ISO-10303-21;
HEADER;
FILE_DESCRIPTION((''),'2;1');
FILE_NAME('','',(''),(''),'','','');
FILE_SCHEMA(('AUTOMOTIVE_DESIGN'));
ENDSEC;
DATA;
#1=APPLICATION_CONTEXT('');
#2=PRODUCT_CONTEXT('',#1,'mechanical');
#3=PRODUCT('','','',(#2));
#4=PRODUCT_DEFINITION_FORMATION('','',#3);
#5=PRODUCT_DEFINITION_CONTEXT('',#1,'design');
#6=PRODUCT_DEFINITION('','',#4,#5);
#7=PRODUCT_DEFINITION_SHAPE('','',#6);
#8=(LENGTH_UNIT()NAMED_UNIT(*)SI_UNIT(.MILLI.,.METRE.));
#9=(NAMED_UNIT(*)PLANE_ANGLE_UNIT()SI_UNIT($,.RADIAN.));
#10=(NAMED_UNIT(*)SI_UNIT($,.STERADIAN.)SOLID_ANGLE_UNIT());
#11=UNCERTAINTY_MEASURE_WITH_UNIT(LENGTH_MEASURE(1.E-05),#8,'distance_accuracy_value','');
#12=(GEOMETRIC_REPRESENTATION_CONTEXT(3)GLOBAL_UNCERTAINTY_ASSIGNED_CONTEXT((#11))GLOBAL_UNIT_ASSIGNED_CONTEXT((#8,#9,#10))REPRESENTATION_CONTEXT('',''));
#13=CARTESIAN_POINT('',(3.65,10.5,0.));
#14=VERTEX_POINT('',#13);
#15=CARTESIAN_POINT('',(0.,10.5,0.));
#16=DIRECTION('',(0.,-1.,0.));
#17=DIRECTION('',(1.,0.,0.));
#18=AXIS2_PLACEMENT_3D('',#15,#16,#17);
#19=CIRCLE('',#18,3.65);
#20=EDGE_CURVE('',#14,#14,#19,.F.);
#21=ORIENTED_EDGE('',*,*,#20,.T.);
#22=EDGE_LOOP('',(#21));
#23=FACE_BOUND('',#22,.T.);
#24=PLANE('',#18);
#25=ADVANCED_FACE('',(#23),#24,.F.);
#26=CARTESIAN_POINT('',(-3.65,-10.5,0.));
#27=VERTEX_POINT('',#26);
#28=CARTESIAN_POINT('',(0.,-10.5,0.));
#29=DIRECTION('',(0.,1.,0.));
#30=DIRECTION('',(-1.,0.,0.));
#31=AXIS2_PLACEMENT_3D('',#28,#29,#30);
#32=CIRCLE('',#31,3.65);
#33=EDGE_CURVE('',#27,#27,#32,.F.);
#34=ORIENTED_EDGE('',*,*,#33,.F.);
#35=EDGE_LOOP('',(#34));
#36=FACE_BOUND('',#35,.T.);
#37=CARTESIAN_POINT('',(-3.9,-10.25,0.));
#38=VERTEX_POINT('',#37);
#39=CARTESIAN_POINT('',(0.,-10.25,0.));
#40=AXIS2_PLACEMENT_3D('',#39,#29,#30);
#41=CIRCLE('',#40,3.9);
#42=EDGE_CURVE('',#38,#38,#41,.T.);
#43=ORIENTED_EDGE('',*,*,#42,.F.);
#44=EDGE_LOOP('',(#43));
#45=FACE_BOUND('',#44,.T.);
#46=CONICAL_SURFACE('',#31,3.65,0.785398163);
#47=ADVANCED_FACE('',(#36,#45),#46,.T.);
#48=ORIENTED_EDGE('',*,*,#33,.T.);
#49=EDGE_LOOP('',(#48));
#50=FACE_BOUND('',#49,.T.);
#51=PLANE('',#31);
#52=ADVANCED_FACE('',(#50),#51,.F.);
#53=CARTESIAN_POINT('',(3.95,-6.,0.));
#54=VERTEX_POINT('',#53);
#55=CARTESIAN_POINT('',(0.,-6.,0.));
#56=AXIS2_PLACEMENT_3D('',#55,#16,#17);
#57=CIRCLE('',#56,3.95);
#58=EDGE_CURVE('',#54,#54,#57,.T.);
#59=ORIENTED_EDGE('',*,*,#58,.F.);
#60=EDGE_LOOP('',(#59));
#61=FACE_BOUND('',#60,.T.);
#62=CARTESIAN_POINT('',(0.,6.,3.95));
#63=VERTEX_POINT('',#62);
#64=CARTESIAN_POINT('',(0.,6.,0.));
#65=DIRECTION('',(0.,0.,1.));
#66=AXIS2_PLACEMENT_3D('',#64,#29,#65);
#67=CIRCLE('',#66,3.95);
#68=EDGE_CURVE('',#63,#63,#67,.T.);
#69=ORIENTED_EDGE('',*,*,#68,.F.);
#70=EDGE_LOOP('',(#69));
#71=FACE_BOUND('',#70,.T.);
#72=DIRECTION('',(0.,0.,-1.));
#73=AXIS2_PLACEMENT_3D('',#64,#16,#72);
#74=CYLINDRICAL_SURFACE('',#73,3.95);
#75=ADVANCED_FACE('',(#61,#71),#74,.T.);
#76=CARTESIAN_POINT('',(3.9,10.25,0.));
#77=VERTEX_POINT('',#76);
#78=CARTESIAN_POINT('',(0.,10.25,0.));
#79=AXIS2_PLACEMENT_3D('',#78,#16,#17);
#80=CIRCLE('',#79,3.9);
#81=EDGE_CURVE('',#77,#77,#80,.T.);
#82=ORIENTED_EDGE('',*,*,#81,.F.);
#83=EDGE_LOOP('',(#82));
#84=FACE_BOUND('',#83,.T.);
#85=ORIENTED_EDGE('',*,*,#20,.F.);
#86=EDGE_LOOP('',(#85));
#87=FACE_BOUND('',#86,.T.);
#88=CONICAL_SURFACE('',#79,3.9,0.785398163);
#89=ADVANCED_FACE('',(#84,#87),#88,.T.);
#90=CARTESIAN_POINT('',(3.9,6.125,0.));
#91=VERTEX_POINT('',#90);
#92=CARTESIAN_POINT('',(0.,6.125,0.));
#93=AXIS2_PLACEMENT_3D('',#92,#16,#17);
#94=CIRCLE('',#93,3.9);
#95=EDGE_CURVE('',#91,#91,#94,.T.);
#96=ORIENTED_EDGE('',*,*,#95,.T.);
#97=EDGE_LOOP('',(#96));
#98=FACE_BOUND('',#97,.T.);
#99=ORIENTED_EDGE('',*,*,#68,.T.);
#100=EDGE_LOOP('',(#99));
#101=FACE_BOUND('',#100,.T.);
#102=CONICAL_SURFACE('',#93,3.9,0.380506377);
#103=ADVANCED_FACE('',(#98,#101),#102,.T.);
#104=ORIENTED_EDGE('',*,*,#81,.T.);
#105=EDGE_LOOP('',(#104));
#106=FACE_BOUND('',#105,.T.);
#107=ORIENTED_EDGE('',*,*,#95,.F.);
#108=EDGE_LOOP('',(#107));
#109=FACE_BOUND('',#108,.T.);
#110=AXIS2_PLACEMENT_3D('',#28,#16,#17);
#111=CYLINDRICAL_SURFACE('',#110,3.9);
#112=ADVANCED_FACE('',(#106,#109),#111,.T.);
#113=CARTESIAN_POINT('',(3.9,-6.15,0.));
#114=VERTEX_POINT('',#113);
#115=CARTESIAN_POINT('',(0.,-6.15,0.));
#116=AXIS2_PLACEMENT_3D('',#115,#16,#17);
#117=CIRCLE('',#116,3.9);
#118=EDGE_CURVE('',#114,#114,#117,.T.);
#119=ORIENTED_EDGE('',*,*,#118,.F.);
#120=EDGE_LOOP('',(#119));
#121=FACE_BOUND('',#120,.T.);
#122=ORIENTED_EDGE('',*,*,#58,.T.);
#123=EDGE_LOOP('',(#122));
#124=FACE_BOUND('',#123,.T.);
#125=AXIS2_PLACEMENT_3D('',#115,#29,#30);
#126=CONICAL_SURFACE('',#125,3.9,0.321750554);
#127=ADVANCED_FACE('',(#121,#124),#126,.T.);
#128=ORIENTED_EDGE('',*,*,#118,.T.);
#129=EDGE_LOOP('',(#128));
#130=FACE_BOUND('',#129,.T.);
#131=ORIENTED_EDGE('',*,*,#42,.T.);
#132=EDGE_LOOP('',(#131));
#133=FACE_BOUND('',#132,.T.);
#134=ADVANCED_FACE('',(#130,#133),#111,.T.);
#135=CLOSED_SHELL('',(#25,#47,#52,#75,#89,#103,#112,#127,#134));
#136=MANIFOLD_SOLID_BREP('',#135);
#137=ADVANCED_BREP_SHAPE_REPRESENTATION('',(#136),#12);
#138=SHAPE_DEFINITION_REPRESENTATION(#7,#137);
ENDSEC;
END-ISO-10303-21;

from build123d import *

# Parameters (mm, degrees)
SKETCH1_R           = 3.95
BOSS_EXTRUDE1_DEPTH = 6
CHAMFER1_SIZE       = 0.25


with BuildPart() as part:
    # Sketch1 → Boss-Extrude1 (new, symmetric)
    with BuildSketch(Plane(origin=(0, 0, 0), x_dir=(1, 0, 0), z_dir=(0, 1, 0))):
        with Locations(Location((0, 0, 0), (0, 0, 270))):
            Circle(SKETCH1_R)
    extrude(amount=BOSS_EXTRUDE1_DEPTH, both=True)

    # Sketch2 → Revolve2 (revolve)
    with BuildSketch(Plane.XY, mode=Mode.PRIVATE) as revolve2_sk:
        Polygon((0, -10.5), (0, -6), (-3.95, -6), (-3.9, -6.15), (-3.9, -10.5), align=None)
        Polygon((0, 10.5), (0, 6), (3.95, 6), (3.9, 6.125), (3.9, 10.5), align=None)
    revolve(revolve2_sk.sketch.rotate(Axis((0, -10.5, 0), (0, 1, 0)), 180), axis=Axis((0, -10.5, 0), (0, 1, 0)))

    # Chamfer1
    chamfer1_edges = [part.edges().sort_by_distance(p)[0] for p in [
        (-3.9, -10.5, 0),
        (3.9, 10.5, 0),
    ]]
    chamfer(chamfer1_edges, length=CHAMFER1_SIZE)


solid = part.part
